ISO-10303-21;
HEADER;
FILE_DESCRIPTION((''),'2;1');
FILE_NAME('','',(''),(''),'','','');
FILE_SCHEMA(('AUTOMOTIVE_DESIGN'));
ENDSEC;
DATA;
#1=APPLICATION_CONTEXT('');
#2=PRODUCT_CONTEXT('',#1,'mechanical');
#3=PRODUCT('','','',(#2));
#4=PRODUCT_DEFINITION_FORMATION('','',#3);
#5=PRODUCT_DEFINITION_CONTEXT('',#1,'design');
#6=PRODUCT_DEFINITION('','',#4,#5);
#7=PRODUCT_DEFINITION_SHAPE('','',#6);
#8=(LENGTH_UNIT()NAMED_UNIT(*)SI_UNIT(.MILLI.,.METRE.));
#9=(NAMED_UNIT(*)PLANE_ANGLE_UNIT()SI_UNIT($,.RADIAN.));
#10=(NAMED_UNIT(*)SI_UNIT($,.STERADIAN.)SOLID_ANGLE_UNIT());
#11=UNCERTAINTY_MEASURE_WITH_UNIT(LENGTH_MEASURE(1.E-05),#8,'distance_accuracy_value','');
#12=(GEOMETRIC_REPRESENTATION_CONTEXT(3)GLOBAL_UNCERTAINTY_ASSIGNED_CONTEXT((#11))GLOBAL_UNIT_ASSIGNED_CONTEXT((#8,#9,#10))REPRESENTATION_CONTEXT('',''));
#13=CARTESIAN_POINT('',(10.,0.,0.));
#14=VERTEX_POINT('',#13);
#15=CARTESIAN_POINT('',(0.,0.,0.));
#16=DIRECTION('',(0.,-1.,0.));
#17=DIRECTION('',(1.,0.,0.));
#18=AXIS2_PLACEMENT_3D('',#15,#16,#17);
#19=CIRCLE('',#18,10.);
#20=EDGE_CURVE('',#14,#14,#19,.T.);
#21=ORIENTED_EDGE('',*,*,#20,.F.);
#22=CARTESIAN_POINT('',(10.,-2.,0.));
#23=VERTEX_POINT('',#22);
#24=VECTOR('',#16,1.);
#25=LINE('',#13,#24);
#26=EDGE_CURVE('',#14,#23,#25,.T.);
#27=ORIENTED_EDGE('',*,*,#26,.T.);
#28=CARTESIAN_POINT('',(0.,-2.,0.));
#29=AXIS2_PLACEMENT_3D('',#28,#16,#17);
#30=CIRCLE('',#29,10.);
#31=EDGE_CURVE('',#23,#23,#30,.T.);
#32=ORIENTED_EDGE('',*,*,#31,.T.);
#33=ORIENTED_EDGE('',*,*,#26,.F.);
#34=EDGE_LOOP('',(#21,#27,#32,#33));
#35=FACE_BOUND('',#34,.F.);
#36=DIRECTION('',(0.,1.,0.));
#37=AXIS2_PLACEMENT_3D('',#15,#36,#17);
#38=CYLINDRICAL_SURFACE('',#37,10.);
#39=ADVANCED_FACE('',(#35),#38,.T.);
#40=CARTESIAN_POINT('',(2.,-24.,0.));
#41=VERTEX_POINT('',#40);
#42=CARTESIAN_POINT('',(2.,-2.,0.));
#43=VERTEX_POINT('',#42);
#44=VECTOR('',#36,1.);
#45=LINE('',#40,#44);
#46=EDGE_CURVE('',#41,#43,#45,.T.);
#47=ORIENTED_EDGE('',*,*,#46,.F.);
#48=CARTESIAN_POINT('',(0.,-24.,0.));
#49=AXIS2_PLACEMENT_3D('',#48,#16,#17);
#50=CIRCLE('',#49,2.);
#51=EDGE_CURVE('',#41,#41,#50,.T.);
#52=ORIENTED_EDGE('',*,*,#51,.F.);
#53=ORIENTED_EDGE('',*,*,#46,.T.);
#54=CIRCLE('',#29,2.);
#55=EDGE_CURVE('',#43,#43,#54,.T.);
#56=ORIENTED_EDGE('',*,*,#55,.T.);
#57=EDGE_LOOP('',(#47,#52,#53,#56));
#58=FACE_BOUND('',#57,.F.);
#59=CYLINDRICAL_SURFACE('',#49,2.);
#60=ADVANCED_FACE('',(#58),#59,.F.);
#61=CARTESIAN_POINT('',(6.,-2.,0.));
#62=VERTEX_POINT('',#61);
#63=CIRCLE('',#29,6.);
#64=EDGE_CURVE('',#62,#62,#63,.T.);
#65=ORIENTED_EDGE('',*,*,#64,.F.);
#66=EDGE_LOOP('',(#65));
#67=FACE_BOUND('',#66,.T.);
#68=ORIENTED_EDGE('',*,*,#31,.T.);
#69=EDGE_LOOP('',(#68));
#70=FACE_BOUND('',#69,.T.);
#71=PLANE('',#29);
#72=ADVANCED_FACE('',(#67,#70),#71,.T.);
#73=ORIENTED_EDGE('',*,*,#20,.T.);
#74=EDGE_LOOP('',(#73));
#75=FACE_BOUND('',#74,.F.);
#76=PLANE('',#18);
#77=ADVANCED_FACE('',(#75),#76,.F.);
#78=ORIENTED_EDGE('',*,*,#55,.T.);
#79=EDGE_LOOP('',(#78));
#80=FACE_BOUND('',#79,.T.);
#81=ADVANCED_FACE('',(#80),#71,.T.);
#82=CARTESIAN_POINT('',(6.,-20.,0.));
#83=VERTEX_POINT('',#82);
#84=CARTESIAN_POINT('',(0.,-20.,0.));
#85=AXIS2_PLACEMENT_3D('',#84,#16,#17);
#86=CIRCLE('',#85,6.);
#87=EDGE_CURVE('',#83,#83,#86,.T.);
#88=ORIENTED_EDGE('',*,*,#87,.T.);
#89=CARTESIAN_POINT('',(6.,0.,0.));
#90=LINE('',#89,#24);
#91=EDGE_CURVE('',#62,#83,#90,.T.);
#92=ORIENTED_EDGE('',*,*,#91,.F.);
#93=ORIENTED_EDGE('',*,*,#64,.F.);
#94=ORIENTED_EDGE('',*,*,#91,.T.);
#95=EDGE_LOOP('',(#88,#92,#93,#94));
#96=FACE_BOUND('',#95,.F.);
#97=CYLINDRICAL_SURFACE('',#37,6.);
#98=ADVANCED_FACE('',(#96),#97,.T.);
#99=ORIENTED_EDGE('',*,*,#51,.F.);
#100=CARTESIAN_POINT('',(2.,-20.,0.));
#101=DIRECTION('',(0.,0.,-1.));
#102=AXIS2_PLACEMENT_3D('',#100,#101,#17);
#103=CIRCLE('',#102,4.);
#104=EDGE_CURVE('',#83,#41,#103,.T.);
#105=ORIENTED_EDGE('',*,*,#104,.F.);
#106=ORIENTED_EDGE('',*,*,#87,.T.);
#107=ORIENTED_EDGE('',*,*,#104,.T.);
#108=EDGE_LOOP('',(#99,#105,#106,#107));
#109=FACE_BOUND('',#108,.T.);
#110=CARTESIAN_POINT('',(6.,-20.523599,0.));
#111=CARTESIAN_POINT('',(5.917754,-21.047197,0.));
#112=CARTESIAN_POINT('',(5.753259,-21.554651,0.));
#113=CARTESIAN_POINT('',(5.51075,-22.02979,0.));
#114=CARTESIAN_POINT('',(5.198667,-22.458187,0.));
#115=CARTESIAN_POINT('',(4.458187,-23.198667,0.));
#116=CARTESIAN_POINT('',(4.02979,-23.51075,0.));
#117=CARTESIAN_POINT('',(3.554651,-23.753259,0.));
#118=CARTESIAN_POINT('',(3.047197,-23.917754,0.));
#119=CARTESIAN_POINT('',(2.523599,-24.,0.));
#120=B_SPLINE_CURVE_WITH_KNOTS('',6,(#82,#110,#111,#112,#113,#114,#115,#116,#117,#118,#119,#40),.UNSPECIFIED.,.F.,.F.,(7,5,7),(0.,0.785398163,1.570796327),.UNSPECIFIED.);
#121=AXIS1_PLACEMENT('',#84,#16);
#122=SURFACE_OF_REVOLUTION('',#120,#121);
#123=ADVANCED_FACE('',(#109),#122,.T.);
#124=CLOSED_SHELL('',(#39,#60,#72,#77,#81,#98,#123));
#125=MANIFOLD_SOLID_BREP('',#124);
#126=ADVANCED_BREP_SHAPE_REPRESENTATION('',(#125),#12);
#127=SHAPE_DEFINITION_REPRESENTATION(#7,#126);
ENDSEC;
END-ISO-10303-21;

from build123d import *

# Parameters (mm, degrees)
F0_R     = 6
F1_DEPTH = 24
F0_R_2   = 9.9999997765
F2_DEPTH = 2
F3_R     = 4
F4_DEPTH = 22


with BuildPart() as f1:
    # F0 (on Front) → F1 (new body)
    with BuildSketch(Plane.XZ):
        Circle(F0_R)
    extrude(amount=F1_DEPTH)

    # F0 (on Front) → F2 (join)
    with BuildSketch(Plane.XZ):
        Circle(F0_R_2)
        Circle(F0_R, mode=Mode.SUBTRACT)
    extrude(amount=F2_DEPTH)

    # F3
    f3_edges = [f1.edges().sort_by_distance(p)[0] for p in [
        (-6, -24, 0),
    ]]
    fillet(f3_edges, radius=F3_R)

    # F4 (cut): a face of the model
    f4_faces = [f1.faces().sort_by_distance(p)[0] for p in [
        (0, -24, 0),
    ]]
    extrude(f4_faces, amount=-F4_DEPTH, mode=Mode.SUBTRACT)


solid = f1.part
